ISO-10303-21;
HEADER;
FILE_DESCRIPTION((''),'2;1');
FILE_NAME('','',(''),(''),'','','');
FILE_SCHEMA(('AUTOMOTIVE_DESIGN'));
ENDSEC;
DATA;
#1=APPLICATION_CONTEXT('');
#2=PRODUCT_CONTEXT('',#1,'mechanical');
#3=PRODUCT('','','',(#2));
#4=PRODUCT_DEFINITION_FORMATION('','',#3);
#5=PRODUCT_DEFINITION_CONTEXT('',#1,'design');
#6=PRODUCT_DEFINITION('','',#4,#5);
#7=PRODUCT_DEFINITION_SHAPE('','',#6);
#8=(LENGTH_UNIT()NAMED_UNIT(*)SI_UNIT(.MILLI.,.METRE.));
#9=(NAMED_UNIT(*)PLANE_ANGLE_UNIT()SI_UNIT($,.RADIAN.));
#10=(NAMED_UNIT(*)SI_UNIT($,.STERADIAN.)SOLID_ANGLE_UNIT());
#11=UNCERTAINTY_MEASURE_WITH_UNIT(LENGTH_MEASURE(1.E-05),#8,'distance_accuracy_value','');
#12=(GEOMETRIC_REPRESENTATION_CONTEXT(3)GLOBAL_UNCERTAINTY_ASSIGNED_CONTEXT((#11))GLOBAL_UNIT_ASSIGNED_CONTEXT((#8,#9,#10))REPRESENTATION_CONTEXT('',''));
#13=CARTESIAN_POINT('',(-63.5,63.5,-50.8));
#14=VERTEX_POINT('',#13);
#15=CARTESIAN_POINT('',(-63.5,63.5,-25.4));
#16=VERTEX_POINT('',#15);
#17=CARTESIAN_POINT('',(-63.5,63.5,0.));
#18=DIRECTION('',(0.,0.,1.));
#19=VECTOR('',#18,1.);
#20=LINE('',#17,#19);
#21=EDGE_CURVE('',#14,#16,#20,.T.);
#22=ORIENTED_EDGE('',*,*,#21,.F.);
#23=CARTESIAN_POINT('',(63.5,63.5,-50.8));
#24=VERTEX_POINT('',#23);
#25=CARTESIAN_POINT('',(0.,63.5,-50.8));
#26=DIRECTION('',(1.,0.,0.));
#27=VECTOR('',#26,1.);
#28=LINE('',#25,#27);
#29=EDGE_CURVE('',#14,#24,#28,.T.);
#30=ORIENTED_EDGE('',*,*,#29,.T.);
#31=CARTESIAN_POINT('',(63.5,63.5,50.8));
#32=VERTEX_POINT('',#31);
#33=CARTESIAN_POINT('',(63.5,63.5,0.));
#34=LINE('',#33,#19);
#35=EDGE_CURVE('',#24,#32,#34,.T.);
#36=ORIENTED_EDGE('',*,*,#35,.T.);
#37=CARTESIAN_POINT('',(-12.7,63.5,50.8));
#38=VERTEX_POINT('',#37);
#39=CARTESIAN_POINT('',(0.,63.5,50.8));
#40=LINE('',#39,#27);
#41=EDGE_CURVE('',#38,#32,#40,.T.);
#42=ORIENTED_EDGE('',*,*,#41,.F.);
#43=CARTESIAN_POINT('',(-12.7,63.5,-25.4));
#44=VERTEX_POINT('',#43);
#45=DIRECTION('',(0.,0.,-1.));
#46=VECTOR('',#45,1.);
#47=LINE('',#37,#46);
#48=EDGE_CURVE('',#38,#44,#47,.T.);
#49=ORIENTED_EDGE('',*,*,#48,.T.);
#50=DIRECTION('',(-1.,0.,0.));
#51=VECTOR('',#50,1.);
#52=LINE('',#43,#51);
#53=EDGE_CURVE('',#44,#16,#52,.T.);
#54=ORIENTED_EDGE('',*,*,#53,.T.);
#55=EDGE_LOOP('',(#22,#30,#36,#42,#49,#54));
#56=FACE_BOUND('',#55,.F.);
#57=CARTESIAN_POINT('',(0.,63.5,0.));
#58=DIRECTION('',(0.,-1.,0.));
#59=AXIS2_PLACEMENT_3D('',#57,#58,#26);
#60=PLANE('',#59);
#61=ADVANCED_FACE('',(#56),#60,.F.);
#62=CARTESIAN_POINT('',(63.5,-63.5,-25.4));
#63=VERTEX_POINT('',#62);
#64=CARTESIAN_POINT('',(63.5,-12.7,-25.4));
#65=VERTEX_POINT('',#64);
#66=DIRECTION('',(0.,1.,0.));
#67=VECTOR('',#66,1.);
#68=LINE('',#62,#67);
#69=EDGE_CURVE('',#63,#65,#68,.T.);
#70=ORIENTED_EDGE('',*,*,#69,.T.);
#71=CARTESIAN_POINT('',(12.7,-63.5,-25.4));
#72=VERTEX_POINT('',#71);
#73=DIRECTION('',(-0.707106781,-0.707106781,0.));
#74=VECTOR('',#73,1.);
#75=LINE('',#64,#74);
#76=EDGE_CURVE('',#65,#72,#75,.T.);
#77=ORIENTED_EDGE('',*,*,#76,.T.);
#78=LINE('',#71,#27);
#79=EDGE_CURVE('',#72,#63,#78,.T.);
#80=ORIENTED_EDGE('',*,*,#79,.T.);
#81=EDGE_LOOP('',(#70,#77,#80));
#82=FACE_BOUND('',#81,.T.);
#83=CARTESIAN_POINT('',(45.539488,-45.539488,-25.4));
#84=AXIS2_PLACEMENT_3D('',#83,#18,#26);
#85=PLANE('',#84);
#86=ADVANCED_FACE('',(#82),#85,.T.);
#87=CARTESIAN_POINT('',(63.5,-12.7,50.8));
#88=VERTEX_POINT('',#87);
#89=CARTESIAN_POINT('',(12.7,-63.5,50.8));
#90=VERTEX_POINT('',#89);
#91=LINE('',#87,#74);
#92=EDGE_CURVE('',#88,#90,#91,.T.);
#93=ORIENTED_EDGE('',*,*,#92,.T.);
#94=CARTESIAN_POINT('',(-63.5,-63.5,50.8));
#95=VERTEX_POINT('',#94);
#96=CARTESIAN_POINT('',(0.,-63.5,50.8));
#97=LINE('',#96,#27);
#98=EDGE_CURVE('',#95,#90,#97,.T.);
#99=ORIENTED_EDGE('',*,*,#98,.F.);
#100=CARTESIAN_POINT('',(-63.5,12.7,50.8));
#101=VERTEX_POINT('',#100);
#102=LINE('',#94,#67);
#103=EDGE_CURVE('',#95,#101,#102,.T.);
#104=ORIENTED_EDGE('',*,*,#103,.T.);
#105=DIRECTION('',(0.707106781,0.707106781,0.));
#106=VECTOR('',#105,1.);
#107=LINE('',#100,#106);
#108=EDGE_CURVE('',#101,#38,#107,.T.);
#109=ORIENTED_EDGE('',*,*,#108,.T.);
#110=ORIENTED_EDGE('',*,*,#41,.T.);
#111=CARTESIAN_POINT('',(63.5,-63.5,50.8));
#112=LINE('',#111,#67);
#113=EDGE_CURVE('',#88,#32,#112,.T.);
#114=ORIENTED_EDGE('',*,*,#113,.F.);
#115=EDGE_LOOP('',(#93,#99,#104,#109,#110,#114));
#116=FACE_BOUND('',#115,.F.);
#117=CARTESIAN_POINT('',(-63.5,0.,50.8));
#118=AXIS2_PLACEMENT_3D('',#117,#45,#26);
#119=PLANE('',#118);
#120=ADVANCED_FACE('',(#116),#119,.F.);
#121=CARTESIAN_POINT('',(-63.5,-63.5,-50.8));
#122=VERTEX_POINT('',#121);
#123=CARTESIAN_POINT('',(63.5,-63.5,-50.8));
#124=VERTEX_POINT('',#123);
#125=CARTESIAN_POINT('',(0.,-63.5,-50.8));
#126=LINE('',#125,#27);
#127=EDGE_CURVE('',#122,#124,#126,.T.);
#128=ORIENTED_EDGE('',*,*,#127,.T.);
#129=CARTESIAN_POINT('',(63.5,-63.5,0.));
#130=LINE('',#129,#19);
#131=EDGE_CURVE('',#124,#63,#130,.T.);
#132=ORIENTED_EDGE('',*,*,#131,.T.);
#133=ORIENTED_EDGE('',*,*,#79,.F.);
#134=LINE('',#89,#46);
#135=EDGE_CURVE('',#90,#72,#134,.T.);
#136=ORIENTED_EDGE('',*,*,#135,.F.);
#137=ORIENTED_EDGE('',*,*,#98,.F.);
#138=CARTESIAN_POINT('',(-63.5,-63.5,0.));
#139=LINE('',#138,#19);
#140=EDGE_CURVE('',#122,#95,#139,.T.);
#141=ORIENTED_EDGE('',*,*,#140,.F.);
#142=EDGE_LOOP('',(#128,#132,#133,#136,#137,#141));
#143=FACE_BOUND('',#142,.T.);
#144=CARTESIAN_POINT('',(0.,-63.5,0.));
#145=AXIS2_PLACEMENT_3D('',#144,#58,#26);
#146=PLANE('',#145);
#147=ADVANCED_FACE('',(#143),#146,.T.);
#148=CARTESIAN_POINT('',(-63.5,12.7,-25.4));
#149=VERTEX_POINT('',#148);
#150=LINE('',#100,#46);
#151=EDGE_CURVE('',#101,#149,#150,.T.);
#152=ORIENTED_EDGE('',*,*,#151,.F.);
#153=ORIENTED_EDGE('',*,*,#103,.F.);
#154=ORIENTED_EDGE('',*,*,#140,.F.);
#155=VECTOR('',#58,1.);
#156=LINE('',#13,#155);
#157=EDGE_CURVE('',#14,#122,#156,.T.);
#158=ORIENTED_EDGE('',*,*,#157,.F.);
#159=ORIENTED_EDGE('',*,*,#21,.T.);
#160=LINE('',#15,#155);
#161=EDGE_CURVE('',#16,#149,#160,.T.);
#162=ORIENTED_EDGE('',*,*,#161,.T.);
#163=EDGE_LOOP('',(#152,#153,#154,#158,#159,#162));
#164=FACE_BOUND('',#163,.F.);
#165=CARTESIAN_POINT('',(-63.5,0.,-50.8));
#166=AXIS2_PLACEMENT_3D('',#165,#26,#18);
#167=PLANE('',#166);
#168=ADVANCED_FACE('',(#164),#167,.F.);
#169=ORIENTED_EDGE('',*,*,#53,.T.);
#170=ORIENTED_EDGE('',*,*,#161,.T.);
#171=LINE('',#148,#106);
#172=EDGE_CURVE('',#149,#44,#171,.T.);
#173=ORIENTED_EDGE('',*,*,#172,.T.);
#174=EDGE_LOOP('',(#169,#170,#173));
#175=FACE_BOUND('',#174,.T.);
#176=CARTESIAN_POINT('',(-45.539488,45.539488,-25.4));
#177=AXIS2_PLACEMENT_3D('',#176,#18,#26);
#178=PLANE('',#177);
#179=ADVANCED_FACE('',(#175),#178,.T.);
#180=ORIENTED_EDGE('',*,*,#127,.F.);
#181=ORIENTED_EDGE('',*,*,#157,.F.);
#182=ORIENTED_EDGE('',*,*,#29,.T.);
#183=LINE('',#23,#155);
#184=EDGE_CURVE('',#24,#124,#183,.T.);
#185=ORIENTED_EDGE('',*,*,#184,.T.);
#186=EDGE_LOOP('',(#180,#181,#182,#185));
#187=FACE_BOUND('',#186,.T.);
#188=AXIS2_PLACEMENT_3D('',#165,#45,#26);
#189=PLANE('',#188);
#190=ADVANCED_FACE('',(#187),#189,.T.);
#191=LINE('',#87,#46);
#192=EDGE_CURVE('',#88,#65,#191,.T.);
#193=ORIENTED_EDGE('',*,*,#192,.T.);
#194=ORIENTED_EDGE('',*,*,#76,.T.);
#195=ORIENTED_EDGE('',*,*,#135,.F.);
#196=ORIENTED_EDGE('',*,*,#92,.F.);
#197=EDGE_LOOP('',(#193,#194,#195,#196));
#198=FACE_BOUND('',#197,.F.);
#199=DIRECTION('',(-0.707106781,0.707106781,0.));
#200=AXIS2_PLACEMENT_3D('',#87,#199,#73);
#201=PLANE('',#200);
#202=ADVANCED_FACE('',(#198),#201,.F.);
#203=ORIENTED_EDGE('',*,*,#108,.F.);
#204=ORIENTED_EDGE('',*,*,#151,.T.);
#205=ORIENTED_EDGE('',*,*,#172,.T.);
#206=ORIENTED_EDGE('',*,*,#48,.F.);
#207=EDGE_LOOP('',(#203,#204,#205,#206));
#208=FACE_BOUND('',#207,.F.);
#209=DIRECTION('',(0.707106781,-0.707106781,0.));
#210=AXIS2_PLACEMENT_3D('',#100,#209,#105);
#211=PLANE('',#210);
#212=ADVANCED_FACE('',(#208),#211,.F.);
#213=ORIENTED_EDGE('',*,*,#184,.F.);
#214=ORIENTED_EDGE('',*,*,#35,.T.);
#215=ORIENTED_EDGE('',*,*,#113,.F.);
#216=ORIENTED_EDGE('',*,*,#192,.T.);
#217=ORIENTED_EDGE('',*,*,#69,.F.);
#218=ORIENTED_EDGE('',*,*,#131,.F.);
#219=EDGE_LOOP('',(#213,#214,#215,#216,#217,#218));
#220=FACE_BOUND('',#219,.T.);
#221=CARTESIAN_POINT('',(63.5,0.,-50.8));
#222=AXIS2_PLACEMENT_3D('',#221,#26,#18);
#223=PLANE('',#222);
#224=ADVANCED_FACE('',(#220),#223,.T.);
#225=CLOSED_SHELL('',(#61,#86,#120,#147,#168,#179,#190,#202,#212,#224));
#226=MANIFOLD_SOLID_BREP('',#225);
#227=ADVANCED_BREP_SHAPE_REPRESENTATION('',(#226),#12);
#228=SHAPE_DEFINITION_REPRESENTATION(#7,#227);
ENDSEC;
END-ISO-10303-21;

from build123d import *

# Parameters (mm, degrees)
F0_W     = 127
F0_H     = 101.6
F1_DEPTH = 63.5
F3_DEPTH = 76.2
F4_DEPTH = 76.2


with BuildPart() as f1:
    # F0 (on Front) → F1 (new body, symmetric)
    with BuildSketch(Plane.XZ):
        Rectangle(F0_W, F0_H)
    extrude(amount=F1_DEPTH, both=True)

    # F2 (on face) → F3 (cut)
    with BuildSketch(Plane.XY.offset(50.8)):
        Polygon((-12.7, 63.5), (-63.5, 63.5), (-63.5, 12.7), align=None)
    extrude(amount=-F3_DEPTH, mode=Mode.SUBTRACT)

    # F2 (on face) → F4 (cut)
    with BuildSketch(Plane.XY.offset(50.8)):
        Polygon((63.5, -63.5), (63.5, -12.7), (12.7, -63.5), align=None)
    extrude(amount=-F4_DEPTH, mode=Mode.SUBTRACT)


solid = f1.part
